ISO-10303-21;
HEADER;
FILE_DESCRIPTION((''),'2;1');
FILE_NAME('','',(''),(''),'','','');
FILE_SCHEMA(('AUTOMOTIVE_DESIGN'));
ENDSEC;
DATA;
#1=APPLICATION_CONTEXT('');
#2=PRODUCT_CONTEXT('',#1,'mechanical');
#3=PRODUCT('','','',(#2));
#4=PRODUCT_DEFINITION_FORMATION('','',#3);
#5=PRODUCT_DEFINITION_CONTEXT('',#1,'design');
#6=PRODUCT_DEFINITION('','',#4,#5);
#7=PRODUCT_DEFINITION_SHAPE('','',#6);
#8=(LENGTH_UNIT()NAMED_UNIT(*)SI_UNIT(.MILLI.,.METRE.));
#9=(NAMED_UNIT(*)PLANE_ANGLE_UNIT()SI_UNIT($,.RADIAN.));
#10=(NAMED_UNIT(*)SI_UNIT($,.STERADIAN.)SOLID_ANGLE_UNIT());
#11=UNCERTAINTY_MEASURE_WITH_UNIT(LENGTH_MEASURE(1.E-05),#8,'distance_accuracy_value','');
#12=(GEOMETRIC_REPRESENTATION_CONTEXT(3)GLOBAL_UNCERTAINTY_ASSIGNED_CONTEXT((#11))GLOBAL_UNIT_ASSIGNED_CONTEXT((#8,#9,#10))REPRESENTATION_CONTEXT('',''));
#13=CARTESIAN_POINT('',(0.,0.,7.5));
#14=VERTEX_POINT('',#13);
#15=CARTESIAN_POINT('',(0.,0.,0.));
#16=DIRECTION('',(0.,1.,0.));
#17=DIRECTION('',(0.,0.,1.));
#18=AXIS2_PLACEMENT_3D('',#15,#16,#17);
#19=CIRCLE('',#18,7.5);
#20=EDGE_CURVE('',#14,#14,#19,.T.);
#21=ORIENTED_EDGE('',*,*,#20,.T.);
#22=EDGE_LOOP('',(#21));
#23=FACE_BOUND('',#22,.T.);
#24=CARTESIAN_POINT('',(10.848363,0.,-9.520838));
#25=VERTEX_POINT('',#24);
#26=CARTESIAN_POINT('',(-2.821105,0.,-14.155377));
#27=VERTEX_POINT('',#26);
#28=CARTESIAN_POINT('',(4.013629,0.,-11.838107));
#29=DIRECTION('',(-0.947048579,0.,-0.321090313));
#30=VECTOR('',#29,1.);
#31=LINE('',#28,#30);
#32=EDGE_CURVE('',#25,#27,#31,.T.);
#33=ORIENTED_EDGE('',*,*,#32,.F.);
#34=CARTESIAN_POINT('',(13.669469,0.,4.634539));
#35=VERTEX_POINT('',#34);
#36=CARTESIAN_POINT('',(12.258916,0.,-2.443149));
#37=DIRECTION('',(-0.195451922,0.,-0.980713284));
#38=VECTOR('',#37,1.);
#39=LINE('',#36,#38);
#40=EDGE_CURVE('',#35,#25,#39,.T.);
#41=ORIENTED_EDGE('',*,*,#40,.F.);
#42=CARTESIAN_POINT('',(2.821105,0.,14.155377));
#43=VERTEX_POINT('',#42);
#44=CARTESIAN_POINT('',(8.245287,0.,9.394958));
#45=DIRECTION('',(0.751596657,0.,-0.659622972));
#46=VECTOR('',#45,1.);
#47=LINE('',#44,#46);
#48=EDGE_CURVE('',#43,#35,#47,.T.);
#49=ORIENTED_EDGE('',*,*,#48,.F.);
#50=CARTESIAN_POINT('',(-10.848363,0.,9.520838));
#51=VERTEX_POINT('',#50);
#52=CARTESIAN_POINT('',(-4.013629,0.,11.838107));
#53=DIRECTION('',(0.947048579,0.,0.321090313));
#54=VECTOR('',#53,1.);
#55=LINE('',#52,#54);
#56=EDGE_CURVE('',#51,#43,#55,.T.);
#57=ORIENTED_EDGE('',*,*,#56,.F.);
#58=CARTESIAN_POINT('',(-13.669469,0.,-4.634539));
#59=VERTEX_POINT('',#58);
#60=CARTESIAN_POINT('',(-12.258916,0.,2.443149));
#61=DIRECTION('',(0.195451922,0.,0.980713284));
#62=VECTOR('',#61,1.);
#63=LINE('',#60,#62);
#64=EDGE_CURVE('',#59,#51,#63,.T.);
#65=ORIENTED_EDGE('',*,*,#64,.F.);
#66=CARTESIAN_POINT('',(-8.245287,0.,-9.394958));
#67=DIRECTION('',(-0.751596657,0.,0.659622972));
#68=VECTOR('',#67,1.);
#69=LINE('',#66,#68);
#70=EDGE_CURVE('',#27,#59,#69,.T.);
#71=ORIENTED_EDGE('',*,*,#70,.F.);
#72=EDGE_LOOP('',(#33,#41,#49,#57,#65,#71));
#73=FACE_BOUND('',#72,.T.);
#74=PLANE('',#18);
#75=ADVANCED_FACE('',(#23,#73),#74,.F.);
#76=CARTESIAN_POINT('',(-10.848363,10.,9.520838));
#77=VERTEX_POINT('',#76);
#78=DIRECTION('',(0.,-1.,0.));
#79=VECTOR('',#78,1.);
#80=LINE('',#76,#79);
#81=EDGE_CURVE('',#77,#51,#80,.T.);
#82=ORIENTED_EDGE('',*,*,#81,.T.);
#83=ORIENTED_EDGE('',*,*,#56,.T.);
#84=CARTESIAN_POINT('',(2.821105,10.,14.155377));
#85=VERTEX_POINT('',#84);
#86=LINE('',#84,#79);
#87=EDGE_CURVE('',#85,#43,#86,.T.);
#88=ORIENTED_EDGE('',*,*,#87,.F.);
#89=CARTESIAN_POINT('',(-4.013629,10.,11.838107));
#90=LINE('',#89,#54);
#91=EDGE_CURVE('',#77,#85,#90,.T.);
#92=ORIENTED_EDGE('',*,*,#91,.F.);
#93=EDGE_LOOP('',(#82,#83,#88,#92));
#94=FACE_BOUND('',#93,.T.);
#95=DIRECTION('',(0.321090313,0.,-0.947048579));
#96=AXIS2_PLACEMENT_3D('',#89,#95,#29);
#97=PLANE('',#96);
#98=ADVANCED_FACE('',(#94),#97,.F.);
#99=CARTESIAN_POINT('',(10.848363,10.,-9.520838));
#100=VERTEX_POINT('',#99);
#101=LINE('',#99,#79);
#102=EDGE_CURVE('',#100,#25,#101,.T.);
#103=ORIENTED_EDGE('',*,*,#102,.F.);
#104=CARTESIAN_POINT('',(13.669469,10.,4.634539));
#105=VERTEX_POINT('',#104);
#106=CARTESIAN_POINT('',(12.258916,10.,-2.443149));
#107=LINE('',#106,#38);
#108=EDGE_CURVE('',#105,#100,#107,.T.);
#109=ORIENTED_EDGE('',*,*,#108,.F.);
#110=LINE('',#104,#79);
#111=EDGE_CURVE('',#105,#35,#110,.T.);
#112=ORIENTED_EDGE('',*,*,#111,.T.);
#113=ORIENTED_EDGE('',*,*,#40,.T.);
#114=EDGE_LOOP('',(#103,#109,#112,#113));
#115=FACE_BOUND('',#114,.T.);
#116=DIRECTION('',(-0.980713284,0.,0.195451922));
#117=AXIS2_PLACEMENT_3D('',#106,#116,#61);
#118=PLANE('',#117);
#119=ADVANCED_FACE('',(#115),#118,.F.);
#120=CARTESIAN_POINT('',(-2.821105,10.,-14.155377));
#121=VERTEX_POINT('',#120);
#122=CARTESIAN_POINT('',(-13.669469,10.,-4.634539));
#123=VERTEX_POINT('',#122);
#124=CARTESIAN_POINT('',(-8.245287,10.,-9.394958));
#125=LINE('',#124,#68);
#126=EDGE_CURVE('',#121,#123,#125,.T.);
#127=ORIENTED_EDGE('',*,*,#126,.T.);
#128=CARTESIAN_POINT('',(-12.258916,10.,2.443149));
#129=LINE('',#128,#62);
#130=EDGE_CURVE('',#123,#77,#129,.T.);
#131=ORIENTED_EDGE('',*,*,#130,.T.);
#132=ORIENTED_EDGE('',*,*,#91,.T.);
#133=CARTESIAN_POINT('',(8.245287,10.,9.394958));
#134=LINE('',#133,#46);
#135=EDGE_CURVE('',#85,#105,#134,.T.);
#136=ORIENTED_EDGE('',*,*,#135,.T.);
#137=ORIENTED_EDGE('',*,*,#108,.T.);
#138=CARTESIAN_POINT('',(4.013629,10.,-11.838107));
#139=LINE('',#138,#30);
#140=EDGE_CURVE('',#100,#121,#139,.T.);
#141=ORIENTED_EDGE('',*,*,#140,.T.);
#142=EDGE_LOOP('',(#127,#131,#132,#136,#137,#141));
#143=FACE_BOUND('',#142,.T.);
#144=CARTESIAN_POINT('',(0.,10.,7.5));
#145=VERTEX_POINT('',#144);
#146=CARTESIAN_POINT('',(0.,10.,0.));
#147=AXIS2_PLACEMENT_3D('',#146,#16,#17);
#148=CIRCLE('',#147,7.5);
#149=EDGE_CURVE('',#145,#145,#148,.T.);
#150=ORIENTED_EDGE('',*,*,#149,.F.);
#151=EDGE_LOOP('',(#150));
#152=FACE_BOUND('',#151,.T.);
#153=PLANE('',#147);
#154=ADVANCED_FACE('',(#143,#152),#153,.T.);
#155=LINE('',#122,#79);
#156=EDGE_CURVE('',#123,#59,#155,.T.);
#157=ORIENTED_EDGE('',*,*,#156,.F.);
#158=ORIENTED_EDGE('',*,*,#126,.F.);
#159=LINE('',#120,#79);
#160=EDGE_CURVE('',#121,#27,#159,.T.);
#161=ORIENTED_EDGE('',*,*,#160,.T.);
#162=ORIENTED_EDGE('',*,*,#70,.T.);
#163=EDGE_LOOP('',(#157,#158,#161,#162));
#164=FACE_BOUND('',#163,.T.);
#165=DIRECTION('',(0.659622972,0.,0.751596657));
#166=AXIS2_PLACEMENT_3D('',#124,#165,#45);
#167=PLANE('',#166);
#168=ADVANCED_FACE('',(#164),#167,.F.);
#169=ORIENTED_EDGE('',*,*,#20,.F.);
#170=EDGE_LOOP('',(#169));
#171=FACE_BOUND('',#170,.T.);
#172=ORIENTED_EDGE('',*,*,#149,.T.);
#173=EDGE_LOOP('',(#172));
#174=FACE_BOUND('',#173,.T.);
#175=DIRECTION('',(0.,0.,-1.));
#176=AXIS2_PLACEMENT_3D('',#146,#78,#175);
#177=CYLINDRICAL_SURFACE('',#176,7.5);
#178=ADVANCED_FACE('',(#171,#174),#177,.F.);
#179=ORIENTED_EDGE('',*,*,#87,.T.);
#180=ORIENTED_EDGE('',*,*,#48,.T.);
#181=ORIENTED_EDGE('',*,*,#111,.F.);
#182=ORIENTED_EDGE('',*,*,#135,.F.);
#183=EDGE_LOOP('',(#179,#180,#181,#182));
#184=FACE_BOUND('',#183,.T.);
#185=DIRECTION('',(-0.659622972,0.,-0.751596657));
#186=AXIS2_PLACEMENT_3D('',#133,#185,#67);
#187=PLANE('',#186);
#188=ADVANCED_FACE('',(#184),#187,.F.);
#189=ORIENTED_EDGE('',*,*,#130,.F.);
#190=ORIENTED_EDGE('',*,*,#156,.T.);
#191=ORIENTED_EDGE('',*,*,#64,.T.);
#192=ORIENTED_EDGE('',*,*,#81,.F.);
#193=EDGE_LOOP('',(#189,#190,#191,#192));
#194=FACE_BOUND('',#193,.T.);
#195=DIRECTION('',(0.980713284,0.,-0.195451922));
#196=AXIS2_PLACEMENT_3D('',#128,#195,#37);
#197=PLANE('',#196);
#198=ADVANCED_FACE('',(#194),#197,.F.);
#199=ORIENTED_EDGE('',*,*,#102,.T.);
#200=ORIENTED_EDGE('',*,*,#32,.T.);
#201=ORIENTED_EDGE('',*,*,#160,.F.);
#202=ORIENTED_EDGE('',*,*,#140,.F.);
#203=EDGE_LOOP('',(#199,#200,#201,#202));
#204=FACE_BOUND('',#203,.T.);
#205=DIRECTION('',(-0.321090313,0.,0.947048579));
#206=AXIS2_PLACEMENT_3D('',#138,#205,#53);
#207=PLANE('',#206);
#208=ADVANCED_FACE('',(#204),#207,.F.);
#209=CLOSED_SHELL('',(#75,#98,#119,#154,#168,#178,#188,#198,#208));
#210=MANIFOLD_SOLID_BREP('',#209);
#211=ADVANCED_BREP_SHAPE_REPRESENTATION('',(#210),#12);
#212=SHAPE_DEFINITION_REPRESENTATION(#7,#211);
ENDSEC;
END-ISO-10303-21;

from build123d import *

# Parameters (mm, degrees)
SKETCH1_R           = 7.5
BOSS_EXTRUDE1_DEPTH = 10


with BuildPart() as part:
    # Sketch1 → Boss-Extrude1 (new body)
    with BuildSketch(Plane(origin=(0, 0, 0), x_dir=(1, 0, 0), z_dir=(0, 1, 0))):
        Polygon((10.848363311, 9.520837505), (-2.821105489, 14.15537697), (-13.669468801, 4.634539464), (-10.848363311, -9.520837505), (2.821105489, -14.15537697), (13.669468801, -4.634539464), align=None)
        with Locations(Location((0, 0, 0), (0, 0, 270))):
            Circle(SKETCH1_R, mode=Mode.SUBTRACT)
    extrude(amount=BOSS_EXTRUDE1_DEPTH)


solid = part.part
